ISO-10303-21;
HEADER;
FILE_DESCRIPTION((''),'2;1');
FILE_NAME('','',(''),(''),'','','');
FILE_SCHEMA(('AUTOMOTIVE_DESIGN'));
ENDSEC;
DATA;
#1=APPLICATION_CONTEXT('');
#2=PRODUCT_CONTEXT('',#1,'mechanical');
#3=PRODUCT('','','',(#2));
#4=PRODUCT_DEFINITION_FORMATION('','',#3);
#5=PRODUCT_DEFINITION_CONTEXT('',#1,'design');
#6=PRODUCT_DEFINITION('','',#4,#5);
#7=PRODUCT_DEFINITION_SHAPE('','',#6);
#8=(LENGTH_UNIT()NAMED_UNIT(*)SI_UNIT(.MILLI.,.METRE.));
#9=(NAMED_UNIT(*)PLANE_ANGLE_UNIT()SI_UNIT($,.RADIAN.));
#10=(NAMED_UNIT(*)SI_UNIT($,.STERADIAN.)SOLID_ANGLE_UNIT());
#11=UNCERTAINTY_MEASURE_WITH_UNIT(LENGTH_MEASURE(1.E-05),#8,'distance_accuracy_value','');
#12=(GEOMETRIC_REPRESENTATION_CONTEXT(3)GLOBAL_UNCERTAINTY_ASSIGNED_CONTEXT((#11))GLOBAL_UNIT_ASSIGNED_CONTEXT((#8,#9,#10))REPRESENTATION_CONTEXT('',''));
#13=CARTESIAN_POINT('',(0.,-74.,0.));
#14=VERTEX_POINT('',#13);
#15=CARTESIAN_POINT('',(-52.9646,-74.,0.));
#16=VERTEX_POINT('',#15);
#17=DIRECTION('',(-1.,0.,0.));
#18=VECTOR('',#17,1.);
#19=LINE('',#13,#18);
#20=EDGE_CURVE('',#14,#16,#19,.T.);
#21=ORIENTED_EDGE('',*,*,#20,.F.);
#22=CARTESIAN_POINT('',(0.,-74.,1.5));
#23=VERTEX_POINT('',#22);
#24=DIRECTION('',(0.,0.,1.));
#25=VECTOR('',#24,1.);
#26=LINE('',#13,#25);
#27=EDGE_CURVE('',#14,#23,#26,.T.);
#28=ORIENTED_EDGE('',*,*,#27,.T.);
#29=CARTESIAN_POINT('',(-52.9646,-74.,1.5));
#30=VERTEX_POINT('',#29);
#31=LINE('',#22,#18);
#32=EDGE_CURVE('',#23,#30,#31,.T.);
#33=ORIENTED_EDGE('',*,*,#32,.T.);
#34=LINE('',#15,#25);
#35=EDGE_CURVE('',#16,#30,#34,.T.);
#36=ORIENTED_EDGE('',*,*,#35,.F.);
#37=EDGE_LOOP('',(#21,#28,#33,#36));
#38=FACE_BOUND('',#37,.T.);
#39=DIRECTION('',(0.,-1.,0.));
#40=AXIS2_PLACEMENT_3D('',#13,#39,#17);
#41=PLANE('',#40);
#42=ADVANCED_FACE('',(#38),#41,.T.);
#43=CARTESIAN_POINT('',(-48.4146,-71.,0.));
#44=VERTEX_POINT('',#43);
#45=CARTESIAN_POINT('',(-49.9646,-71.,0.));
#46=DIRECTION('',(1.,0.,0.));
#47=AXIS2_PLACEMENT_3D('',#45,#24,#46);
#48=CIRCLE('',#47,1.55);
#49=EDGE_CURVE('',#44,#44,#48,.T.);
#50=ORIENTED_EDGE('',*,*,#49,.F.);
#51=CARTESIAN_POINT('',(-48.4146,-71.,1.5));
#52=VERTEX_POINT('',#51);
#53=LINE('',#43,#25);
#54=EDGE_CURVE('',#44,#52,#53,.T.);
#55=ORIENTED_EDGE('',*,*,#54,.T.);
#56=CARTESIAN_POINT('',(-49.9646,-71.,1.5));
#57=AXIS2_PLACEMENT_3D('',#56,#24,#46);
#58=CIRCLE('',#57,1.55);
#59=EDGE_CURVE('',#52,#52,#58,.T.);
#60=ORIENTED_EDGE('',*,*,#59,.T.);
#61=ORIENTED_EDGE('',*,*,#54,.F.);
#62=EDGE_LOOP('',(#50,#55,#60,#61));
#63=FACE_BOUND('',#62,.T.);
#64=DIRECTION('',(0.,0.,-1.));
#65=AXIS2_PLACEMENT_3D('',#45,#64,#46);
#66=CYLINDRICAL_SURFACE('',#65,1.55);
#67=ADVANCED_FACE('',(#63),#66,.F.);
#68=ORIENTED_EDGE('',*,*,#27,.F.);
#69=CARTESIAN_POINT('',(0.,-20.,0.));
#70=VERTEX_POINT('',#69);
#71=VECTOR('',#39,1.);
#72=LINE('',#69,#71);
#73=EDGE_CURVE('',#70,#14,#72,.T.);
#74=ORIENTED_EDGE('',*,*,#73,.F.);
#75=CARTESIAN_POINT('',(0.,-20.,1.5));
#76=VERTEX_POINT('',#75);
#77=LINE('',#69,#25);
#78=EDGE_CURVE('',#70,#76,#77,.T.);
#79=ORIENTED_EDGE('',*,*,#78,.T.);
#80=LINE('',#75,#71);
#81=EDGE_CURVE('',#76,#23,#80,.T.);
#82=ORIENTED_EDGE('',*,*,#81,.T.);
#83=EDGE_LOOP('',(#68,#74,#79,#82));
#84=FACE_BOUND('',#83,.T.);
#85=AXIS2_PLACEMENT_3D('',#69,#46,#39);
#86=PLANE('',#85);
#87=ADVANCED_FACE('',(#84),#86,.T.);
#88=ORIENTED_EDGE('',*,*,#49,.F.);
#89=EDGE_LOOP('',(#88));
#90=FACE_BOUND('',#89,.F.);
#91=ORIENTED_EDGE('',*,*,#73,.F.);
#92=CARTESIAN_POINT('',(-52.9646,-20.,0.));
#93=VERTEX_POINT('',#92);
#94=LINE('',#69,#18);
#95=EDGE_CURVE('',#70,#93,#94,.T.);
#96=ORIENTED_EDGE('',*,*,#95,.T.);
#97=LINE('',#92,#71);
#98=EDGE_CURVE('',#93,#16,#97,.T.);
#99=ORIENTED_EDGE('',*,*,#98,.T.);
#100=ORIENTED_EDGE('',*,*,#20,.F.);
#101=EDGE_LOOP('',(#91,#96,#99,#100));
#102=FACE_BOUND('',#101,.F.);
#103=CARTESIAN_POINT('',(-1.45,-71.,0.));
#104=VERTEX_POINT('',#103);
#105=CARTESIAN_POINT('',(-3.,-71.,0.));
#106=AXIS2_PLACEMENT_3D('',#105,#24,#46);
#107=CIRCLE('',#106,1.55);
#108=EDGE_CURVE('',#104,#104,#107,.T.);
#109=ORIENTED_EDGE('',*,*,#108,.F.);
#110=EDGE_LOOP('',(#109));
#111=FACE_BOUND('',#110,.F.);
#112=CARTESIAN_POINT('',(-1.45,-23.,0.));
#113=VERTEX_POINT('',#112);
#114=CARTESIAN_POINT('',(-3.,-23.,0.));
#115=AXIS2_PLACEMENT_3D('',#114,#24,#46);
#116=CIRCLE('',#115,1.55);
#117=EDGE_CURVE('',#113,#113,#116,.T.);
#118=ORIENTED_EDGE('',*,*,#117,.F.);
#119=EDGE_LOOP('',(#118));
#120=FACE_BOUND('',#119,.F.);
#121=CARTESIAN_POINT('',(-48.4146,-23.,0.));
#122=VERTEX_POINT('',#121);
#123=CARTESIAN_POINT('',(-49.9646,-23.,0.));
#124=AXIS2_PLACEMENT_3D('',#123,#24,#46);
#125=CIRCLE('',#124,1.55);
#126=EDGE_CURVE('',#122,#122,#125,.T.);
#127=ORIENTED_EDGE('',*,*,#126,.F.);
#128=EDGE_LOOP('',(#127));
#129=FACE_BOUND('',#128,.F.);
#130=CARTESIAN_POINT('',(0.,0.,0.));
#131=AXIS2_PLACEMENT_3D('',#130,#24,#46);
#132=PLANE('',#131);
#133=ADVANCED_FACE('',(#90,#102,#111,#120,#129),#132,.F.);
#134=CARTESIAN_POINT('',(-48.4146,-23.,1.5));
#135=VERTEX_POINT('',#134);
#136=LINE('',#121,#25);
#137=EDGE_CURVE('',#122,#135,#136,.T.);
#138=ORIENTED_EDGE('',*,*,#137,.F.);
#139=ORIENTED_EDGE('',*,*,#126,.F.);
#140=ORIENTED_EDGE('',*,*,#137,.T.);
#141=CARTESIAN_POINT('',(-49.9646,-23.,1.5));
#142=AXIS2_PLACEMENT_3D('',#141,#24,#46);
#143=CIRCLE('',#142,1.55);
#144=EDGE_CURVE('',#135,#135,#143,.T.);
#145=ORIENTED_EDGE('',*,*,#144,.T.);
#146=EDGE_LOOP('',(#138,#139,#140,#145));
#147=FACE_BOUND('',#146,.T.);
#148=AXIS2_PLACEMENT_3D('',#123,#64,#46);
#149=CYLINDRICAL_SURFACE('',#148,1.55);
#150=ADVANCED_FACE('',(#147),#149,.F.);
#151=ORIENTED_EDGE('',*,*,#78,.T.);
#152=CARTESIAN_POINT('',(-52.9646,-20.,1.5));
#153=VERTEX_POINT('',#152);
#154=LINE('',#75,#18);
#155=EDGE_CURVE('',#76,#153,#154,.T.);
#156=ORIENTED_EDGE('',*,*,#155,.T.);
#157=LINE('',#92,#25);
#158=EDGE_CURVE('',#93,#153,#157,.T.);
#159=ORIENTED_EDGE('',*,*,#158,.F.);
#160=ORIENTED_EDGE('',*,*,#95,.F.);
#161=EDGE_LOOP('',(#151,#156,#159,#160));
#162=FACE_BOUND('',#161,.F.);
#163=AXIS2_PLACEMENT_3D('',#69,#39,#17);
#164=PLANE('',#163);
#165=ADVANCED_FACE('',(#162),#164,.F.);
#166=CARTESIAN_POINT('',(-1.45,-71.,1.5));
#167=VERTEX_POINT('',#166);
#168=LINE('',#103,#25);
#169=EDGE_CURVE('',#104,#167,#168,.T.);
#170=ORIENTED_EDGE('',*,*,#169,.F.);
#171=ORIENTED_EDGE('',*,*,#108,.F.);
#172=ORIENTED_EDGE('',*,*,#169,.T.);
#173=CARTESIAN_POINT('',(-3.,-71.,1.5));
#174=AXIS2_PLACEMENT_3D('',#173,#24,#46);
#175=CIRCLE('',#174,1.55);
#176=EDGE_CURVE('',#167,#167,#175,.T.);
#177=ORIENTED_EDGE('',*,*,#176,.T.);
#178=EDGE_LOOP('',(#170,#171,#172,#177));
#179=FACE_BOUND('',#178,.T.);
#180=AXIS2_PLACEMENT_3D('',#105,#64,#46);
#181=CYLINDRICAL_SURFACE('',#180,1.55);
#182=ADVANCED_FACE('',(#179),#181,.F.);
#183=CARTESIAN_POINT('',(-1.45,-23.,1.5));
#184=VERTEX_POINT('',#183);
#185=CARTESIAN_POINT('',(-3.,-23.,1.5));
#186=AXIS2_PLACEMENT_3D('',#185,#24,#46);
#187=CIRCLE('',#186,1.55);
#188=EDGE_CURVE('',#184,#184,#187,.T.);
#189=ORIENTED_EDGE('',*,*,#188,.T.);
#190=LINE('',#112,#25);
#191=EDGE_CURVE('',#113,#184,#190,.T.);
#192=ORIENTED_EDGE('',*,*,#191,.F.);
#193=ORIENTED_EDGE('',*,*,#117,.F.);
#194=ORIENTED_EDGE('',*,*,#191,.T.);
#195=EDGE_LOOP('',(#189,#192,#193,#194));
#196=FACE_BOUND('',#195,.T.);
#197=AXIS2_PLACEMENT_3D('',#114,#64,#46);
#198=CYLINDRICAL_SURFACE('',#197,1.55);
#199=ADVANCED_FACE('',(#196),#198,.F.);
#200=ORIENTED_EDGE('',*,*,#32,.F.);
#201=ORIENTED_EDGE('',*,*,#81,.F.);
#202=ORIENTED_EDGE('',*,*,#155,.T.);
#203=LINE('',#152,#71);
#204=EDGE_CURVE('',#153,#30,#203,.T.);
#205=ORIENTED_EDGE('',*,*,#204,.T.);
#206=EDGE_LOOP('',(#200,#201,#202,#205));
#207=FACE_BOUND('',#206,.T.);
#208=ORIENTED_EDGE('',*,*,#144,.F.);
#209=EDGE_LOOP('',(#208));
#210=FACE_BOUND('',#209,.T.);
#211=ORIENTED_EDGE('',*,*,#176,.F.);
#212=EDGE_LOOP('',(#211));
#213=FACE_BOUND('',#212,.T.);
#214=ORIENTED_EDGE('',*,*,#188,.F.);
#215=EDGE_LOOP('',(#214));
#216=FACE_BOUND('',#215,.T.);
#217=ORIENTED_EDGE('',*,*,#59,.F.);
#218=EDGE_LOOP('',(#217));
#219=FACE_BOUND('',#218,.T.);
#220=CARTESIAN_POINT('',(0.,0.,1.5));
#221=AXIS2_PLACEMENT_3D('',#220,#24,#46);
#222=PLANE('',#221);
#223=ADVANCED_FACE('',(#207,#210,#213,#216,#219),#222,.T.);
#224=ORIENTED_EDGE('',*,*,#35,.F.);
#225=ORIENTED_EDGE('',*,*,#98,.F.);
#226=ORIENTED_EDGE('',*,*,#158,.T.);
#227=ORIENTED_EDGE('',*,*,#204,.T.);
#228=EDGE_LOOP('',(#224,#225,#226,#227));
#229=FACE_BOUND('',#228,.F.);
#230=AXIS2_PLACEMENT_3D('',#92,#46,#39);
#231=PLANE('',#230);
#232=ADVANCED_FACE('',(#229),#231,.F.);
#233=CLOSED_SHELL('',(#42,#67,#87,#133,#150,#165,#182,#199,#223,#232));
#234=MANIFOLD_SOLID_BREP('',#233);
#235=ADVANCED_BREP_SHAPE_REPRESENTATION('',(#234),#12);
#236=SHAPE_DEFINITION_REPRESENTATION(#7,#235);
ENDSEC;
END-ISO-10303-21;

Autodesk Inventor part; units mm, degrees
ref_plane "YZ Plane" through (0, 0, 0) normal (1, 0, 0) x (0, 1, 0)
ref_plane "XZ Plane" through (0, 0, 0) normal (0, 1, 0) x (-1, 0, 0)
ref_plane "XY Plane" through (0, 0, 0) normal (0, 0, 1) x (1, 0, 0)
ref_plane "Work Plane1" through (0, 0, 0) normal (0, 0, 1) x (1, 0, 0)
sketch "Sketch1" plane through (0, 0, 0) normal (0, 0, 1) x (1, 0, 0)
  circle A0 centre (-3, -23) radius 1.55 projected
  circle A1 centre (-49.9646, -23) radius 1.55 projected
  circle A2 centre (-49.9646, -71) radius 1.55 projected
  circle A3 centre (-3, -71) radius 1.55 projected
  line L0 (0, -74) -> (-52.9646, -74) projected
  line L1 (0, -20) -> (0, -74) projected
  line L2 (0, -20) -> (-52.9646, -20) projected
  line L3 (-52.9646, -20) -> (-52.9646, -74) projected
  point P0 (0, 0)
extrude "Extrusion1" add sketch "Sketch1" along normal blind 1.5
properties part number "Crusher_Board"
